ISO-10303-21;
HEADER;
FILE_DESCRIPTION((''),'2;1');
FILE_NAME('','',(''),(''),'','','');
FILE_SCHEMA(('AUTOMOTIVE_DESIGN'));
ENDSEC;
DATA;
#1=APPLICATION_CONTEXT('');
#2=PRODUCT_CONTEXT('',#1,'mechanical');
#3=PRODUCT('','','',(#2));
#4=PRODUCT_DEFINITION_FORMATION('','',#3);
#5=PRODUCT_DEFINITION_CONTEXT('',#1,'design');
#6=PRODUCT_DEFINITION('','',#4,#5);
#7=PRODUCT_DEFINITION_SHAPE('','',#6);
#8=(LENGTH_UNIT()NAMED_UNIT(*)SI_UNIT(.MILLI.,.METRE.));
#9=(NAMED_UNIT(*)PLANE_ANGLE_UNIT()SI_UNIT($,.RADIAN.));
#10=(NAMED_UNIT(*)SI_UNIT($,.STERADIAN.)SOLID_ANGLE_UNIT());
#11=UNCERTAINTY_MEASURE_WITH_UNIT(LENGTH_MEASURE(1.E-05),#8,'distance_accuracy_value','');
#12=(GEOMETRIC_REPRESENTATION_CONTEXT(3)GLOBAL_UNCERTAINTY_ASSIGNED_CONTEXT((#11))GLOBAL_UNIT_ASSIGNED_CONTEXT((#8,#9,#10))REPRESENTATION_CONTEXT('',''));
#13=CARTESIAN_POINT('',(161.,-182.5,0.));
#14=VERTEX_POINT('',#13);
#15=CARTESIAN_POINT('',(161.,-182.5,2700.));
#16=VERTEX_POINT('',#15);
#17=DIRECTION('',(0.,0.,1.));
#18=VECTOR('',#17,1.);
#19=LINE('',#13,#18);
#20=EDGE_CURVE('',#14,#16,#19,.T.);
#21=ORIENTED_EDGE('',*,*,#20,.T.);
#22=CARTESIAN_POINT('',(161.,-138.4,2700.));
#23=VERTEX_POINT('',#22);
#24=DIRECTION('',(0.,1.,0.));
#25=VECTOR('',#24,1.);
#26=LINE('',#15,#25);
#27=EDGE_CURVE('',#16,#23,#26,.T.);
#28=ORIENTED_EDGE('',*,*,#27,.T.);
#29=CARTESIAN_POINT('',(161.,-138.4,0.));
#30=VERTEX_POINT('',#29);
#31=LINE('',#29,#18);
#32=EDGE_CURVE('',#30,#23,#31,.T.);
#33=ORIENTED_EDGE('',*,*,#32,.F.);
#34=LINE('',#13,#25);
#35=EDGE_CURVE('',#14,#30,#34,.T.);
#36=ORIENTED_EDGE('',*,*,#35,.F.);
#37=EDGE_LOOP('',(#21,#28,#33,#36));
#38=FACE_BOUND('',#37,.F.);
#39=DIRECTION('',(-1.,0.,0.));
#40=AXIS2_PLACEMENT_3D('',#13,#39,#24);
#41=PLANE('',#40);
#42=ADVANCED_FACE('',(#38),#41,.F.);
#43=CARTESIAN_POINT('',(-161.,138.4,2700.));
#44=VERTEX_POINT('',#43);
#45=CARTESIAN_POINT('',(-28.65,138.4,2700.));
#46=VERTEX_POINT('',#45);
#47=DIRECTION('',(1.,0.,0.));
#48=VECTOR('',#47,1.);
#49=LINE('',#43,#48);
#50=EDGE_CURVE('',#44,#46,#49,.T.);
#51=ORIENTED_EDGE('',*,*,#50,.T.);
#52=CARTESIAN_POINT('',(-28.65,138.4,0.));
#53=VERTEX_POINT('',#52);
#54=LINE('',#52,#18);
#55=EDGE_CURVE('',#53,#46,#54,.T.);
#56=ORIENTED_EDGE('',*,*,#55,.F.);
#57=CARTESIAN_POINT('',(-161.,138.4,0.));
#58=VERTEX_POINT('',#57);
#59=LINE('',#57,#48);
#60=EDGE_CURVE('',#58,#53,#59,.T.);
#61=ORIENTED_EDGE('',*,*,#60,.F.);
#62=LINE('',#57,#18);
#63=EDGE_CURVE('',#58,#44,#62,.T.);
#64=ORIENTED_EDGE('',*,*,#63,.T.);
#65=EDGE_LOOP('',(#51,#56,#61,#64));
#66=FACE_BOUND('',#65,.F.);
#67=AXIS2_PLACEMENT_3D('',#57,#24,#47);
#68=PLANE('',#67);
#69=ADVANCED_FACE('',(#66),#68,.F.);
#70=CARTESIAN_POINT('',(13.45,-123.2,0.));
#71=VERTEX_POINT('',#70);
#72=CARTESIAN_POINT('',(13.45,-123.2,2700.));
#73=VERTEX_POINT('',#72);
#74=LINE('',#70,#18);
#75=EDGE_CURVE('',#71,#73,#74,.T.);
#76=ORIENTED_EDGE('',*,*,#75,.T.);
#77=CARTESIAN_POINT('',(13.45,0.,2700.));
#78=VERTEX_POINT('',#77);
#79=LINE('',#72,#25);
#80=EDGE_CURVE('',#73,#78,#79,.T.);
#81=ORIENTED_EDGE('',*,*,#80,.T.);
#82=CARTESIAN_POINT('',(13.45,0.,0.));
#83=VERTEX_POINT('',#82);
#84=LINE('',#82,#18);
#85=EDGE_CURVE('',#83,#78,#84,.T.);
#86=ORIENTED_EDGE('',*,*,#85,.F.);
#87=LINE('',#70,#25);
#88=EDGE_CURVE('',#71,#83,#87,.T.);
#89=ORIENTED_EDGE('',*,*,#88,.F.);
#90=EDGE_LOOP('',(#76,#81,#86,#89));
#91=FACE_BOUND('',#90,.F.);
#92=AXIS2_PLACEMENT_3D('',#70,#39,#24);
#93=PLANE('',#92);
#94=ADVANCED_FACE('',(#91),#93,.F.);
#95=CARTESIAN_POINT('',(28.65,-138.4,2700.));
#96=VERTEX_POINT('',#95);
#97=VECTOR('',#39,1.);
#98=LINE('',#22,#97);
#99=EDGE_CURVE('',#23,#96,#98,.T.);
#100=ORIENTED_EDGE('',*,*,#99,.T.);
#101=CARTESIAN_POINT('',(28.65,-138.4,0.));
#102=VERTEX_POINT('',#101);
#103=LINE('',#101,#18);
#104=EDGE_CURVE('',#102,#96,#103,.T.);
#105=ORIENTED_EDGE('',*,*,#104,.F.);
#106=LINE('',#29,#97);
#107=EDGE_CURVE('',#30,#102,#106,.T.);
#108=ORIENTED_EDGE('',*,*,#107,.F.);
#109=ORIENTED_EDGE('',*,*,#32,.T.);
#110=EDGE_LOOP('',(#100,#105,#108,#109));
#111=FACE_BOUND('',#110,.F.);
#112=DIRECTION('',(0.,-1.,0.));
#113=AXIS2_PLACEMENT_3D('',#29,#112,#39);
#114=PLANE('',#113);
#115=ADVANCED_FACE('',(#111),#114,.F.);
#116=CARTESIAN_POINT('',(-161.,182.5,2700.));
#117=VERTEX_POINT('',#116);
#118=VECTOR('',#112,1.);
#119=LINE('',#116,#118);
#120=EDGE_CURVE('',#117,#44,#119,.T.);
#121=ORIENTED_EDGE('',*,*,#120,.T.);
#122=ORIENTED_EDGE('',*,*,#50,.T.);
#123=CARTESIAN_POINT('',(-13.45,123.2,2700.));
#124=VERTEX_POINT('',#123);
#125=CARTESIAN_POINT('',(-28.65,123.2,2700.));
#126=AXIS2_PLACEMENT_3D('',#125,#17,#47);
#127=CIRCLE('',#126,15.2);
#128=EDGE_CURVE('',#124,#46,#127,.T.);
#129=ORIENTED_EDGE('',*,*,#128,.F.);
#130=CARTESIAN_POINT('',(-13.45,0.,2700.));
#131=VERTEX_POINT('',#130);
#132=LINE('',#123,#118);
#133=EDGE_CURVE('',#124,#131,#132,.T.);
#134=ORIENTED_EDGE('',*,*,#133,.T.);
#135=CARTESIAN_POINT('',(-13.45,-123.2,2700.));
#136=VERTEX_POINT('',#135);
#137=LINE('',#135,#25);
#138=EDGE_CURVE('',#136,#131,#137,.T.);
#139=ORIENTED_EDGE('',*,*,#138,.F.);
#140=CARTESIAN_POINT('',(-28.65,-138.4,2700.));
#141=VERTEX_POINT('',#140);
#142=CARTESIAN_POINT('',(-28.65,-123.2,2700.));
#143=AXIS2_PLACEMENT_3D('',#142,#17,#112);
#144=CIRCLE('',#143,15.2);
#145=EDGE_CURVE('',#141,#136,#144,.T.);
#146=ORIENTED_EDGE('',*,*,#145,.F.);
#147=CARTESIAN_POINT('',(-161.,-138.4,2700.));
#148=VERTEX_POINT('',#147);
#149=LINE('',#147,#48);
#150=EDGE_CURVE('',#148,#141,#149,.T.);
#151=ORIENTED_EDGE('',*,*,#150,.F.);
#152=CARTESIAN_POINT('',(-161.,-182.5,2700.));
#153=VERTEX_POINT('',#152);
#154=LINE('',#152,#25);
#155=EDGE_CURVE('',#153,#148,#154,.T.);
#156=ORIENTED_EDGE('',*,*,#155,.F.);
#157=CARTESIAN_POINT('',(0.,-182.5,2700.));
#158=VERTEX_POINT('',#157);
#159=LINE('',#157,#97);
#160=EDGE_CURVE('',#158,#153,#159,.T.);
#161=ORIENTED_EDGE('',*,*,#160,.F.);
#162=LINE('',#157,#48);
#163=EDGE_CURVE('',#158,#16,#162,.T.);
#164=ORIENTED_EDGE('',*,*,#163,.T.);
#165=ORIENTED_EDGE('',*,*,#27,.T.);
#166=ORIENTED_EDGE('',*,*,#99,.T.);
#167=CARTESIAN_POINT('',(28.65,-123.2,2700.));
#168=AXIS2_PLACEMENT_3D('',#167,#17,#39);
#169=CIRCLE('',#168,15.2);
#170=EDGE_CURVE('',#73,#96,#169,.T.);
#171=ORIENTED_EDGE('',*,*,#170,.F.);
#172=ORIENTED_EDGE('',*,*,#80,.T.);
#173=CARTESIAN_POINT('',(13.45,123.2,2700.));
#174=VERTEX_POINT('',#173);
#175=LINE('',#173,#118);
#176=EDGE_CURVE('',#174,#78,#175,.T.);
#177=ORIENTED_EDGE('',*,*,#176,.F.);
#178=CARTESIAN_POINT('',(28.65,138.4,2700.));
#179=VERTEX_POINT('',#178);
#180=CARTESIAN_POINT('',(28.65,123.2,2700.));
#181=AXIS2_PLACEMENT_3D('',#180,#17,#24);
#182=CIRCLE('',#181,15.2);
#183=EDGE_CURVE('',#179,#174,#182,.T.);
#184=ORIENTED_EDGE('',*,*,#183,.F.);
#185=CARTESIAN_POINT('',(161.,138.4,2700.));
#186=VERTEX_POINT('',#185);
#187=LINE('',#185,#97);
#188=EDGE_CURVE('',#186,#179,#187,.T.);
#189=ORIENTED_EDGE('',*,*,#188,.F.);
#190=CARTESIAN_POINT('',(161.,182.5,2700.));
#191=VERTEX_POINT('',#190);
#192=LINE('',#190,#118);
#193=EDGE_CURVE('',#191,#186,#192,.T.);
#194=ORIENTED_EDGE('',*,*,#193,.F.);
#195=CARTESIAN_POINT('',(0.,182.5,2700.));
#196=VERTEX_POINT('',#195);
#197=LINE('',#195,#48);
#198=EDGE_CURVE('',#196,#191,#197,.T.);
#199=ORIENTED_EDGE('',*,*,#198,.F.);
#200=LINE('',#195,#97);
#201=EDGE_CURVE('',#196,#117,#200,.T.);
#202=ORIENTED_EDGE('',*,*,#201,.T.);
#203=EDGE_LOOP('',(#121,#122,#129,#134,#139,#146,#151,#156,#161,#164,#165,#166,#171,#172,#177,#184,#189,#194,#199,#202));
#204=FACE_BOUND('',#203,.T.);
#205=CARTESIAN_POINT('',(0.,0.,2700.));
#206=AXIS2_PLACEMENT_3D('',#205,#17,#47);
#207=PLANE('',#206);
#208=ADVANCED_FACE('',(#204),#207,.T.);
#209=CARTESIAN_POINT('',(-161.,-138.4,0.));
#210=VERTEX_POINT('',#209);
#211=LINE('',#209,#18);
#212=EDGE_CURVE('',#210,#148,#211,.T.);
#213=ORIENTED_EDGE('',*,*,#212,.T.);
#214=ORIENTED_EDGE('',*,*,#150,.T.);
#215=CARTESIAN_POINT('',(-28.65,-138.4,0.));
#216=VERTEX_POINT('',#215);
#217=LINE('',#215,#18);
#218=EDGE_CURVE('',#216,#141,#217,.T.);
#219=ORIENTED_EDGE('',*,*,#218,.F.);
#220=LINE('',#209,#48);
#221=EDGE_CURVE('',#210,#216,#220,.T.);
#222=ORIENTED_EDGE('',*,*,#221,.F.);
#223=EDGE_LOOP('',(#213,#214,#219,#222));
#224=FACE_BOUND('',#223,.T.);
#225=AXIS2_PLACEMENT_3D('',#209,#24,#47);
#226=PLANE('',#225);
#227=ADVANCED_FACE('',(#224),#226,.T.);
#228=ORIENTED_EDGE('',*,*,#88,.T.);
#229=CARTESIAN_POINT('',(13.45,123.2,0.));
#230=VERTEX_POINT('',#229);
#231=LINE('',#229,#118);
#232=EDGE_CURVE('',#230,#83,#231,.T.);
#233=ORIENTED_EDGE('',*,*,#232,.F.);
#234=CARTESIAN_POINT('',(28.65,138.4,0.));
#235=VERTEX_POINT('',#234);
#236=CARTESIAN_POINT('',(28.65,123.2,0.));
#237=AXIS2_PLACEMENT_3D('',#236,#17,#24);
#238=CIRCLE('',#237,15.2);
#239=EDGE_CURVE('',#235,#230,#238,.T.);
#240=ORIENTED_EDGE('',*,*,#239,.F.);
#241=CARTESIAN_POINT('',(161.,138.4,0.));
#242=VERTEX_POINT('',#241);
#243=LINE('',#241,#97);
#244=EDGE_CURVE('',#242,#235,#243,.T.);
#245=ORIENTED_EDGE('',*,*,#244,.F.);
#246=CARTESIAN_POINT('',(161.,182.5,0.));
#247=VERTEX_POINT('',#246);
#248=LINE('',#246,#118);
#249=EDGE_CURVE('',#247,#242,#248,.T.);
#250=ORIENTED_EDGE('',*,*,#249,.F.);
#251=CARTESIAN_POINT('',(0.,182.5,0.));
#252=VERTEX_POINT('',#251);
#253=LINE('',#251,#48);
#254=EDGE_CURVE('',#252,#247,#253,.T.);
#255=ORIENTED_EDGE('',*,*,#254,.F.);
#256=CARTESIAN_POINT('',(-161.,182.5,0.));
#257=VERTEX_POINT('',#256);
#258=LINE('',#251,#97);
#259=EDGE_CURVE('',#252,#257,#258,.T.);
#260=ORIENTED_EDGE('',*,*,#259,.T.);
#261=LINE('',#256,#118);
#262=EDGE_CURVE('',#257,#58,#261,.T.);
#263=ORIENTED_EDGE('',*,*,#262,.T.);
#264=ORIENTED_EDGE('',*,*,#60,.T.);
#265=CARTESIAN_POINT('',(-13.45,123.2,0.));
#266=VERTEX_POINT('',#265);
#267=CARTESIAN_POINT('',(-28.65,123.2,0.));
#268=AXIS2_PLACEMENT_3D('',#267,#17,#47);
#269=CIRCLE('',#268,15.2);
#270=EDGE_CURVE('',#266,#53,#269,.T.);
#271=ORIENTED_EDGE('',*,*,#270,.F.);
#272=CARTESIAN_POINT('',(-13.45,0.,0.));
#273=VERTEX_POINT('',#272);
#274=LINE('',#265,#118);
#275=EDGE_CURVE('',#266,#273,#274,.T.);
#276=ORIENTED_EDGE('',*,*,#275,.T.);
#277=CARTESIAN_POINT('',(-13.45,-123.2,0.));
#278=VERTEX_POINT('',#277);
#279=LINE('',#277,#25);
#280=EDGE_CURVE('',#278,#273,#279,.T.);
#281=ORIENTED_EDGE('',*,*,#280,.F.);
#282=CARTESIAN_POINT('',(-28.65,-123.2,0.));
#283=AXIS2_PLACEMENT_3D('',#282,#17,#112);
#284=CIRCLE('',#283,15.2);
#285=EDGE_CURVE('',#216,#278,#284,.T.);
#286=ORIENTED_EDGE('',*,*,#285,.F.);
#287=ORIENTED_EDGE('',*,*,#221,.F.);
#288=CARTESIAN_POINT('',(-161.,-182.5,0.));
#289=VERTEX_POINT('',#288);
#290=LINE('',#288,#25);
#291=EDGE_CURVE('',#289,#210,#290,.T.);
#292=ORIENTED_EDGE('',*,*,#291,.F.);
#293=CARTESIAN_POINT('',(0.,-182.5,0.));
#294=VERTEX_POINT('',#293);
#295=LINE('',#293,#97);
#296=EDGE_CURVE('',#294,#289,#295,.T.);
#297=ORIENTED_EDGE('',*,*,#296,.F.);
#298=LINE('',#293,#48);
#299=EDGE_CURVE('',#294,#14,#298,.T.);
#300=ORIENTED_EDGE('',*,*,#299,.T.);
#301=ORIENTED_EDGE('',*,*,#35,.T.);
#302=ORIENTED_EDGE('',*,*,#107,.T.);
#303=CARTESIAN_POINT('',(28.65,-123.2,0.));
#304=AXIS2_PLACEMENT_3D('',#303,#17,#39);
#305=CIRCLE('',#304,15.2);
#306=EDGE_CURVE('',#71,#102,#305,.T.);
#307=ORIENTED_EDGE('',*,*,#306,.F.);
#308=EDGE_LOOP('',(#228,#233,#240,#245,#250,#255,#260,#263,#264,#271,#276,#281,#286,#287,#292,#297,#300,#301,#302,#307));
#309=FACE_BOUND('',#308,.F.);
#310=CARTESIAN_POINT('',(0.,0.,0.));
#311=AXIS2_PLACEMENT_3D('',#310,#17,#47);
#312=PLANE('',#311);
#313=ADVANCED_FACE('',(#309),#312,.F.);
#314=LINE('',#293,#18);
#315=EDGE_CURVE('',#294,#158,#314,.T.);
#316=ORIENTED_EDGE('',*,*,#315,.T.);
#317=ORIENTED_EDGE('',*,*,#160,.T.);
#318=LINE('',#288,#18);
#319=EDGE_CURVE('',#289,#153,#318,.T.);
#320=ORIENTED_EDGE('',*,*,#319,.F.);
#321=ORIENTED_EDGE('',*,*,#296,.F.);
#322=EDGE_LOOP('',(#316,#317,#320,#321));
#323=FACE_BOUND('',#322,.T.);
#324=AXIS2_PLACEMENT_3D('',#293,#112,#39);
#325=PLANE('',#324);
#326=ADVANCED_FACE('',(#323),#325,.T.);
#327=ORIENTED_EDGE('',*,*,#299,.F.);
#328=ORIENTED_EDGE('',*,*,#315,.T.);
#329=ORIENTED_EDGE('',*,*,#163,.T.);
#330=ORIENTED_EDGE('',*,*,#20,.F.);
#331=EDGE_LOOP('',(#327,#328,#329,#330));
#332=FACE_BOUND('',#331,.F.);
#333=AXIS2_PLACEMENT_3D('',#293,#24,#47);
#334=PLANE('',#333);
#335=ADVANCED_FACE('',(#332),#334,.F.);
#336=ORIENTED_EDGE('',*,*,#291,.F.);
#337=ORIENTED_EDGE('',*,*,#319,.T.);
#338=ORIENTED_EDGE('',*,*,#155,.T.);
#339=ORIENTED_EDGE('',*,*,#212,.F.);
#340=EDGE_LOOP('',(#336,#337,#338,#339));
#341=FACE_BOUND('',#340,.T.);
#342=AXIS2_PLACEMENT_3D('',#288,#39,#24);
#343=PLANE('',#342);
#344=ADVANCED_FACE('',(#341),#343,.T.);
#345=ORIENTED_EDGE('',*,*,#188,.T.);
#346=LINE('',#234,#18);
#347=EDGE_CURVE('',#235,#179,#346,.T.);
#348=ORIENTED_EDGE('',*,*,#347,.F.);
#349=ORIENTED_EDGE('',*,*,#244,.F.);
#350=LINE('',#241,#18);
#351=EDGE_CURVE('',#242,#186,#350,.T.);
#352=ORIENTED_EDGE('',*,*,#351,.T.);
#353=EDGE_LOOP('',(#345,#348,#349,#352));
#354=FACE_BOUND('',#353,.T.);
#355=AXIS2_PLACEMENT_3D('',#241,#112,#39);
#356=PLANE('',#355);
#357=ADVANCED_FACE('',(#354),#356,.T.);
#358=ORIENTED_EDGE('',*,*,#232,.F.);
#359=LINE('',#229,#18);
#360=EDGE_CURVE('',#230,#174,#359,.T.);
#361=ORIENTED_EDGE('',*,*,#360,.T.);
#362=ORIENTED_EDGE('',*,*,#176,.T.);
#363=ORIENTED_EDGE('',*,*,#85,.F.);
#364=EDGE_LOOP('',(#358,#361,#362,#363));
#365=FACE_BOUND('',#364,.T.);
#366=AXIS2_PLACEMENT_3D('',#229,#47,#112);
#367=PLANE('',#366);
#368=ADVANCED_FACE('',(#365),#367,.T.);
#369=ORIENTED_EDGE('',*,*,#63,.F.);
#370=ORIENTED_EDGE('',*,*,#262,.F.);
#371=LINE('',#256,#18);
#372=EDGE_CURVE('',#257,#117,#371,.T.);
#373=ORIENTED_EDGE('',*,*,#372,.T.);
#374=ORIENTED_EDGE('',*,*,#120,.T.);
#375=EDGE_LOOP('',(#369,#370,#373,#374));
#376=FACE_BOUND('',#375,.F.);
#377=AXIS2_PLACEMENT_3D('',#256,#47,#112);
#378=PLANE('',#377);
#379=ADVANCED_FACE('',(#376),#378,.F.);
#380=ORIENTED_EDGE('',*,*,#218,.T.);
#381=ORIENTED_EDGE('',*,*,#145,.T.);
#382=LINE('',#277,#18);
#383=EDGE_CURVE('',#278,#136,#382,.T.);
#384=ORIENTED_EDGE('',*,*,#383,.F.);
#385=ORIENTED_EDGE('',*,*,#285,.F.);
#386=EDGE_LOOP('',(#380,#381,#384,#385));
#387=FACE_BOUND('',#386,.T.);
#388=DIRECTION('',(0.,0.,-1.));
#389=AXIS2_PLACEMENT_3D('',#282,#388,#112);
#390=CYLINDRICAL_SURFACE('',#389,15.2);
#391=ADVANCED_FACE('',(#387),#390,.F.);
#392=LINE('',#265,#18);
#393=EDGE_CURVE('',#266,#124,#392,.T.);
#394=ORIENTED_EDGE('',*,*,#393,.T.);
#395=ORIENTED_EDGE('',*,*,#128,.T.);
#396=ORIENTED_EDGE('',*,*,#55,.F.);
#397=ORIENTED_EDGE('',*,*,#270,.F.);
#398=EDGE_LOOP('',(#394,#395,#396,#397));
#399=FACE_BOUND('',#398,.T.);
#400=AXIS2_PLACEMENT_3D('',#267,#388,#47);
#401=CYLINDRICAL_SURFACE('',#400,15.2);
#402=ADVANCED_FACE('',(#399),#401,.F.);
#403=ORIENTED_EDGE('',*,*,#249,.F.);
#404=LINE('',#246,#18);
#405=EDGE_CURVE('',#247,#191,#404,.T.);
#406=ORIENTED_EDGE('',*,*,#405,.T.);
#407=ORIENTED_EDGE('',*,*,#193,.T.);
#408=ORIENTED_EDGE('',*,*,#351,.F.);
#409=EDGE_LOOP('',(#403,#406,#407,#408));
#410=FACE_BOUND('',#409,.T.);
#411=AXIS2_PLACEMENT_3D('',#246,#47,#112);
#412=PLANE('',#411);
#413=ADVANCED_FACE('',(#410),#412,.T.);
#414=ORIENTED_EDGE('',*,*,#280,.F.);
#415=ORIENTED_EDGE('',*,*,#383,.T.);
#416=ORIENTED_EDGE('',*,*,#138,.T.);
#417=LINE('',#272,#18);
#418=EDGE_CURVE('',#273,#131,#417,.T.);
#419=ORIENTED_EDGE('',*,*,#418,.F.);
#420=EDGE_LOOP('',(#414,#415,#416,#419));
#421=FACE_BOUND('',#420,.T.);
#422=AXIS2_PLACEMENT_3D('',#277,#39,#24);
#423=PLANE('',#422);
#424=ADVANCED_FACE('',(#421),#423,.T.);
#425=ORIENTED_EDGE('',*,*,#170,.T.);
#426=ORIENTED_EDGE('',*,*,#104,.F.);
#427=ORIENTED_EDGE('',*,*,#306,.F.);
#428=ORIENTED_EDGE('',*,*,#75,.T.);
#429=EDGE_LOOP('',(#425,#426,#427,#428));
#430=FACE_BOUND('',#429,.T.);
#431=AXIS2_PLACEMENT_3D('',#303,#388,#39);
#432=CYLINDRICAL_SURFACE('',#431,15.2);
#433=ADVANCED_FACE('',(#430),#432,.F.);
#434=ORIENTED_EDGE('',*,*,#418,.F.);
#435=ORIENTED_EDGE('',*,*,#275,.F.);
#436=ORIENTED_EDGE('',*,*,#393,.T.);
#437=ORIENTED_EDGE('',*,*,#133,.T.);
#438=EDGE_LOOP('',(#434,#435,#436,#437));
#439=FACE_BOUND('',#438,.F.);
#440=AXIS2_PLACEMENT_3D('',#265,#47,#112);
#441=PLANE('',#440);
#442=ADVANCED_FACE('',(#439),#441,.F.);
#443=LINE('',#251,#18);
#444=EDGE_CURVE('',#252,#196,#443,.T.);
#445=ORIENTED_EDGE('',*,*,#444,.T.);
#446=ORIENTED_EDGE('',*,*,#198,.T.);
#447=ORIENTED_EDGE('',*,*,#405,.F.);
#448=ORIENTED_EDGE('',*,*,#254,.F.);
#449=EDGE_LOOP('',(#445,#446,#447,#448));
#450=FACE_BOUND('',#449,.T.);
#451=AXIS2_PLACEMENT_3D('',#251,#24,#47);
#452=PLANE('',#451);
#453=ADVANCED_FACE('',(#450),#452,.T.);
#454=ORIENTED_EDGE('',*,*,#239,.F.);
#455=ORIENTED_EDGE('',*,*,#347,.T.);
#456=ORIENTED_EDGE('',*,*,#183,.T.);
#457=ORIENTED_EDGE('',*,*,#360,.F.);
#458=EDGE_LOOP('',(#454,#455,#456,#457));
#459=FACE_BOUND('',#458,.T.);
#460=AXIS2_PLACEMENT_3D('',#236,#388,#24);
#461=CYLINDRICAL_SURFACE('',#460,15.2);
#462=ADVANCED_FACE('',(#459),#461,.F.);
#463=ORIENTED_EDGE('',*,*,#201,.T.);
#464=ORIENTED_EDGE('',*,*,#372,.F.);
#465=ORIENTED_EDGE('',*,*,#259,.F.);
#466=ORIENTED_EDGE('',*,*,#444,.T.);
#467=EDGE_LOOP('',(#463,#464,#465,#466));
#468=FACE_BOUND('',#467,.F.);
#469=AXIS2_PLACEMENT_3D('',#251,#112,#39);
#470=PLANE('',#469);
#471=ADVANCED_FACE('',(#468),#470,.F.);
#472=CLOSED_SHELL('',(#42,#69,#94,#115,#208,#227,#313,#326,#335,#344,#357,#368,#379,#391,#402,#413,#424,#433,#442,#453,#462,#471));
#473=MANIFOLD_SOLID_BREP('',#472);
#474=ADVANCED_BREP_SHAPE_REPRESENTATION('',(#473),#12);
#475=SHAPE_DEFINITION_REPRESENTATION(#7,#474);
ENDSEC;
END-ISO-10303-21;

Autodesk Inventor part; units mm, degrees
ref_plane "YZ Plane" through (0, 0, 0) normal (1, 0, 0) x (0, 1, 0)
ref_plane "Start plane" through (0, 0, 0) normal (0, 0, 1) x (1, 0, 0)
ref_plane "End plane" through (0, 0, 2700) normal (0, 0, 1) x (1, 0, 0)
sketch "Sketch" plane through (0, 0, 0) normal (0, 0, 1) x (1, 0, 0)
  line L0 (-161, -182.5) -> (-161, -138.4)
  line L1 (-161, -138.4) -> (-28.65, -138.4)
  line L2 (-13.45, -123.2) -> (-13.45, 0)
  line L3 (-13.45, 0) -> (0, 0) construction
  line L4 (0, 0) -> (0, -182.5) construction
  line L5 (0, -182.5) -> (-161, -182.5)
  line L6 (-60, 0) -> (80, 0) construction
  line L7 (0, -60) -> (0, 80) construction
  line L8 (161, -182.5) -> (161, -138.4)
  line L9 (161, -138.4) -> (28.65, -138.4)
  line L10 (13.45, -123.2) -> (13.45, 0)
  line L11 (13.45, 0) -> (0, 0) construction
  line L12 (0, -182.5) -> (161, -182.5)
  line L13 (-161, 182.5) -> (-161, 138.4)
  line L14 (-161, 138.4) -> (-28.65, 138.4)
  line L15 (-13.45, 123.2) -> (-13.45, 0)
  line L16 (0, 182.5) -> (-161, 182.5)
  line L17 (161, 182.5) -> (161, 138.4)
  line L18 (161, 138.4) -> (28.65, 138.4)
  line L19 (0, 182.5) -> (161, 182.5)
  line L20 (13.45, 123.2) -> (13.45, 0)
  arc A0 (-13.45, 123.2) -> (-28.65, 138.4) centre (-28.65, 123.2) ccw
  arc A1 (28.65, 138.4) -> (13.45, 123.2) centre (28.65, 123.2) ccw
  arc A2 (13.45, -123.2) -> (28.65, -138.4) centre (28.65, -123.2) ccw
  arc A3 (-28.65, -138.4) -> (-13.45, -123.2) centre (-28.65, -123.2) ccw
  line L21 (0, 108) -> (0, -88) construction
  line L22 (-88, 0) -> (108, 0) construction
  point P0 (-13.45, -138.4)
  point P1 (13.45, -138.4)
  point P2 (-13.45, 138.4)
  point P3 (13.45, 138.4)
  dimension "d1" = 182.5
  dimension "d2" = 44.1
  dimension "d3" = 161
  dimension "d4" = 13.45
  dimension "d10" = 15.2
extrude "Body" add sketch "Sketch" along normal up to surface (2700 mm away) from surface at 0
sketch "Sketch4" plane through (0, 0, 0) normal (0, 0, 1) x (1, 0, 0)
  line L0 (0, 0) -> (10, 0)
ref_plane "Work Plane3" through (0, 0, 0) normal (0, -1, 0) x (1, 0, 0)
sketch "Sketch5" plane through (0, 0, 0) normal (0, -1, 0) x (1, 0, 0)
  line L0 (-2, 0) -> (12, 0) projected
  line L1 (-2, 2700) -> (12, 2700) projected
  dimension "d14" = 2700
equation "\"d1\" = 0.5 * G_H"
equation "\"d2\" = G_T1"
equation "\"d3\" = 0.5 * G_W"
equation "\"d4\" = 0.5 * G_T"
equation "\"d10\" = G_IR"
equation "\"d5\" = G_L"
equation "\"G_W\" = 322"
equation "\"G_H\" = 365"
equation "\"G_T\" = 26.9"
equation "\"G_T1\" = 44.1"
equation "\"G_IR\" = 15.2"
equation "\"G_L\" = d14"
equation "\"G_OFFSET_START\" = 0"
equation "\"G_OFFSET_END\" = 0"
properties part number "AS 3679 - 310 UC - 283 - 2700" material "Steel, Mild"
